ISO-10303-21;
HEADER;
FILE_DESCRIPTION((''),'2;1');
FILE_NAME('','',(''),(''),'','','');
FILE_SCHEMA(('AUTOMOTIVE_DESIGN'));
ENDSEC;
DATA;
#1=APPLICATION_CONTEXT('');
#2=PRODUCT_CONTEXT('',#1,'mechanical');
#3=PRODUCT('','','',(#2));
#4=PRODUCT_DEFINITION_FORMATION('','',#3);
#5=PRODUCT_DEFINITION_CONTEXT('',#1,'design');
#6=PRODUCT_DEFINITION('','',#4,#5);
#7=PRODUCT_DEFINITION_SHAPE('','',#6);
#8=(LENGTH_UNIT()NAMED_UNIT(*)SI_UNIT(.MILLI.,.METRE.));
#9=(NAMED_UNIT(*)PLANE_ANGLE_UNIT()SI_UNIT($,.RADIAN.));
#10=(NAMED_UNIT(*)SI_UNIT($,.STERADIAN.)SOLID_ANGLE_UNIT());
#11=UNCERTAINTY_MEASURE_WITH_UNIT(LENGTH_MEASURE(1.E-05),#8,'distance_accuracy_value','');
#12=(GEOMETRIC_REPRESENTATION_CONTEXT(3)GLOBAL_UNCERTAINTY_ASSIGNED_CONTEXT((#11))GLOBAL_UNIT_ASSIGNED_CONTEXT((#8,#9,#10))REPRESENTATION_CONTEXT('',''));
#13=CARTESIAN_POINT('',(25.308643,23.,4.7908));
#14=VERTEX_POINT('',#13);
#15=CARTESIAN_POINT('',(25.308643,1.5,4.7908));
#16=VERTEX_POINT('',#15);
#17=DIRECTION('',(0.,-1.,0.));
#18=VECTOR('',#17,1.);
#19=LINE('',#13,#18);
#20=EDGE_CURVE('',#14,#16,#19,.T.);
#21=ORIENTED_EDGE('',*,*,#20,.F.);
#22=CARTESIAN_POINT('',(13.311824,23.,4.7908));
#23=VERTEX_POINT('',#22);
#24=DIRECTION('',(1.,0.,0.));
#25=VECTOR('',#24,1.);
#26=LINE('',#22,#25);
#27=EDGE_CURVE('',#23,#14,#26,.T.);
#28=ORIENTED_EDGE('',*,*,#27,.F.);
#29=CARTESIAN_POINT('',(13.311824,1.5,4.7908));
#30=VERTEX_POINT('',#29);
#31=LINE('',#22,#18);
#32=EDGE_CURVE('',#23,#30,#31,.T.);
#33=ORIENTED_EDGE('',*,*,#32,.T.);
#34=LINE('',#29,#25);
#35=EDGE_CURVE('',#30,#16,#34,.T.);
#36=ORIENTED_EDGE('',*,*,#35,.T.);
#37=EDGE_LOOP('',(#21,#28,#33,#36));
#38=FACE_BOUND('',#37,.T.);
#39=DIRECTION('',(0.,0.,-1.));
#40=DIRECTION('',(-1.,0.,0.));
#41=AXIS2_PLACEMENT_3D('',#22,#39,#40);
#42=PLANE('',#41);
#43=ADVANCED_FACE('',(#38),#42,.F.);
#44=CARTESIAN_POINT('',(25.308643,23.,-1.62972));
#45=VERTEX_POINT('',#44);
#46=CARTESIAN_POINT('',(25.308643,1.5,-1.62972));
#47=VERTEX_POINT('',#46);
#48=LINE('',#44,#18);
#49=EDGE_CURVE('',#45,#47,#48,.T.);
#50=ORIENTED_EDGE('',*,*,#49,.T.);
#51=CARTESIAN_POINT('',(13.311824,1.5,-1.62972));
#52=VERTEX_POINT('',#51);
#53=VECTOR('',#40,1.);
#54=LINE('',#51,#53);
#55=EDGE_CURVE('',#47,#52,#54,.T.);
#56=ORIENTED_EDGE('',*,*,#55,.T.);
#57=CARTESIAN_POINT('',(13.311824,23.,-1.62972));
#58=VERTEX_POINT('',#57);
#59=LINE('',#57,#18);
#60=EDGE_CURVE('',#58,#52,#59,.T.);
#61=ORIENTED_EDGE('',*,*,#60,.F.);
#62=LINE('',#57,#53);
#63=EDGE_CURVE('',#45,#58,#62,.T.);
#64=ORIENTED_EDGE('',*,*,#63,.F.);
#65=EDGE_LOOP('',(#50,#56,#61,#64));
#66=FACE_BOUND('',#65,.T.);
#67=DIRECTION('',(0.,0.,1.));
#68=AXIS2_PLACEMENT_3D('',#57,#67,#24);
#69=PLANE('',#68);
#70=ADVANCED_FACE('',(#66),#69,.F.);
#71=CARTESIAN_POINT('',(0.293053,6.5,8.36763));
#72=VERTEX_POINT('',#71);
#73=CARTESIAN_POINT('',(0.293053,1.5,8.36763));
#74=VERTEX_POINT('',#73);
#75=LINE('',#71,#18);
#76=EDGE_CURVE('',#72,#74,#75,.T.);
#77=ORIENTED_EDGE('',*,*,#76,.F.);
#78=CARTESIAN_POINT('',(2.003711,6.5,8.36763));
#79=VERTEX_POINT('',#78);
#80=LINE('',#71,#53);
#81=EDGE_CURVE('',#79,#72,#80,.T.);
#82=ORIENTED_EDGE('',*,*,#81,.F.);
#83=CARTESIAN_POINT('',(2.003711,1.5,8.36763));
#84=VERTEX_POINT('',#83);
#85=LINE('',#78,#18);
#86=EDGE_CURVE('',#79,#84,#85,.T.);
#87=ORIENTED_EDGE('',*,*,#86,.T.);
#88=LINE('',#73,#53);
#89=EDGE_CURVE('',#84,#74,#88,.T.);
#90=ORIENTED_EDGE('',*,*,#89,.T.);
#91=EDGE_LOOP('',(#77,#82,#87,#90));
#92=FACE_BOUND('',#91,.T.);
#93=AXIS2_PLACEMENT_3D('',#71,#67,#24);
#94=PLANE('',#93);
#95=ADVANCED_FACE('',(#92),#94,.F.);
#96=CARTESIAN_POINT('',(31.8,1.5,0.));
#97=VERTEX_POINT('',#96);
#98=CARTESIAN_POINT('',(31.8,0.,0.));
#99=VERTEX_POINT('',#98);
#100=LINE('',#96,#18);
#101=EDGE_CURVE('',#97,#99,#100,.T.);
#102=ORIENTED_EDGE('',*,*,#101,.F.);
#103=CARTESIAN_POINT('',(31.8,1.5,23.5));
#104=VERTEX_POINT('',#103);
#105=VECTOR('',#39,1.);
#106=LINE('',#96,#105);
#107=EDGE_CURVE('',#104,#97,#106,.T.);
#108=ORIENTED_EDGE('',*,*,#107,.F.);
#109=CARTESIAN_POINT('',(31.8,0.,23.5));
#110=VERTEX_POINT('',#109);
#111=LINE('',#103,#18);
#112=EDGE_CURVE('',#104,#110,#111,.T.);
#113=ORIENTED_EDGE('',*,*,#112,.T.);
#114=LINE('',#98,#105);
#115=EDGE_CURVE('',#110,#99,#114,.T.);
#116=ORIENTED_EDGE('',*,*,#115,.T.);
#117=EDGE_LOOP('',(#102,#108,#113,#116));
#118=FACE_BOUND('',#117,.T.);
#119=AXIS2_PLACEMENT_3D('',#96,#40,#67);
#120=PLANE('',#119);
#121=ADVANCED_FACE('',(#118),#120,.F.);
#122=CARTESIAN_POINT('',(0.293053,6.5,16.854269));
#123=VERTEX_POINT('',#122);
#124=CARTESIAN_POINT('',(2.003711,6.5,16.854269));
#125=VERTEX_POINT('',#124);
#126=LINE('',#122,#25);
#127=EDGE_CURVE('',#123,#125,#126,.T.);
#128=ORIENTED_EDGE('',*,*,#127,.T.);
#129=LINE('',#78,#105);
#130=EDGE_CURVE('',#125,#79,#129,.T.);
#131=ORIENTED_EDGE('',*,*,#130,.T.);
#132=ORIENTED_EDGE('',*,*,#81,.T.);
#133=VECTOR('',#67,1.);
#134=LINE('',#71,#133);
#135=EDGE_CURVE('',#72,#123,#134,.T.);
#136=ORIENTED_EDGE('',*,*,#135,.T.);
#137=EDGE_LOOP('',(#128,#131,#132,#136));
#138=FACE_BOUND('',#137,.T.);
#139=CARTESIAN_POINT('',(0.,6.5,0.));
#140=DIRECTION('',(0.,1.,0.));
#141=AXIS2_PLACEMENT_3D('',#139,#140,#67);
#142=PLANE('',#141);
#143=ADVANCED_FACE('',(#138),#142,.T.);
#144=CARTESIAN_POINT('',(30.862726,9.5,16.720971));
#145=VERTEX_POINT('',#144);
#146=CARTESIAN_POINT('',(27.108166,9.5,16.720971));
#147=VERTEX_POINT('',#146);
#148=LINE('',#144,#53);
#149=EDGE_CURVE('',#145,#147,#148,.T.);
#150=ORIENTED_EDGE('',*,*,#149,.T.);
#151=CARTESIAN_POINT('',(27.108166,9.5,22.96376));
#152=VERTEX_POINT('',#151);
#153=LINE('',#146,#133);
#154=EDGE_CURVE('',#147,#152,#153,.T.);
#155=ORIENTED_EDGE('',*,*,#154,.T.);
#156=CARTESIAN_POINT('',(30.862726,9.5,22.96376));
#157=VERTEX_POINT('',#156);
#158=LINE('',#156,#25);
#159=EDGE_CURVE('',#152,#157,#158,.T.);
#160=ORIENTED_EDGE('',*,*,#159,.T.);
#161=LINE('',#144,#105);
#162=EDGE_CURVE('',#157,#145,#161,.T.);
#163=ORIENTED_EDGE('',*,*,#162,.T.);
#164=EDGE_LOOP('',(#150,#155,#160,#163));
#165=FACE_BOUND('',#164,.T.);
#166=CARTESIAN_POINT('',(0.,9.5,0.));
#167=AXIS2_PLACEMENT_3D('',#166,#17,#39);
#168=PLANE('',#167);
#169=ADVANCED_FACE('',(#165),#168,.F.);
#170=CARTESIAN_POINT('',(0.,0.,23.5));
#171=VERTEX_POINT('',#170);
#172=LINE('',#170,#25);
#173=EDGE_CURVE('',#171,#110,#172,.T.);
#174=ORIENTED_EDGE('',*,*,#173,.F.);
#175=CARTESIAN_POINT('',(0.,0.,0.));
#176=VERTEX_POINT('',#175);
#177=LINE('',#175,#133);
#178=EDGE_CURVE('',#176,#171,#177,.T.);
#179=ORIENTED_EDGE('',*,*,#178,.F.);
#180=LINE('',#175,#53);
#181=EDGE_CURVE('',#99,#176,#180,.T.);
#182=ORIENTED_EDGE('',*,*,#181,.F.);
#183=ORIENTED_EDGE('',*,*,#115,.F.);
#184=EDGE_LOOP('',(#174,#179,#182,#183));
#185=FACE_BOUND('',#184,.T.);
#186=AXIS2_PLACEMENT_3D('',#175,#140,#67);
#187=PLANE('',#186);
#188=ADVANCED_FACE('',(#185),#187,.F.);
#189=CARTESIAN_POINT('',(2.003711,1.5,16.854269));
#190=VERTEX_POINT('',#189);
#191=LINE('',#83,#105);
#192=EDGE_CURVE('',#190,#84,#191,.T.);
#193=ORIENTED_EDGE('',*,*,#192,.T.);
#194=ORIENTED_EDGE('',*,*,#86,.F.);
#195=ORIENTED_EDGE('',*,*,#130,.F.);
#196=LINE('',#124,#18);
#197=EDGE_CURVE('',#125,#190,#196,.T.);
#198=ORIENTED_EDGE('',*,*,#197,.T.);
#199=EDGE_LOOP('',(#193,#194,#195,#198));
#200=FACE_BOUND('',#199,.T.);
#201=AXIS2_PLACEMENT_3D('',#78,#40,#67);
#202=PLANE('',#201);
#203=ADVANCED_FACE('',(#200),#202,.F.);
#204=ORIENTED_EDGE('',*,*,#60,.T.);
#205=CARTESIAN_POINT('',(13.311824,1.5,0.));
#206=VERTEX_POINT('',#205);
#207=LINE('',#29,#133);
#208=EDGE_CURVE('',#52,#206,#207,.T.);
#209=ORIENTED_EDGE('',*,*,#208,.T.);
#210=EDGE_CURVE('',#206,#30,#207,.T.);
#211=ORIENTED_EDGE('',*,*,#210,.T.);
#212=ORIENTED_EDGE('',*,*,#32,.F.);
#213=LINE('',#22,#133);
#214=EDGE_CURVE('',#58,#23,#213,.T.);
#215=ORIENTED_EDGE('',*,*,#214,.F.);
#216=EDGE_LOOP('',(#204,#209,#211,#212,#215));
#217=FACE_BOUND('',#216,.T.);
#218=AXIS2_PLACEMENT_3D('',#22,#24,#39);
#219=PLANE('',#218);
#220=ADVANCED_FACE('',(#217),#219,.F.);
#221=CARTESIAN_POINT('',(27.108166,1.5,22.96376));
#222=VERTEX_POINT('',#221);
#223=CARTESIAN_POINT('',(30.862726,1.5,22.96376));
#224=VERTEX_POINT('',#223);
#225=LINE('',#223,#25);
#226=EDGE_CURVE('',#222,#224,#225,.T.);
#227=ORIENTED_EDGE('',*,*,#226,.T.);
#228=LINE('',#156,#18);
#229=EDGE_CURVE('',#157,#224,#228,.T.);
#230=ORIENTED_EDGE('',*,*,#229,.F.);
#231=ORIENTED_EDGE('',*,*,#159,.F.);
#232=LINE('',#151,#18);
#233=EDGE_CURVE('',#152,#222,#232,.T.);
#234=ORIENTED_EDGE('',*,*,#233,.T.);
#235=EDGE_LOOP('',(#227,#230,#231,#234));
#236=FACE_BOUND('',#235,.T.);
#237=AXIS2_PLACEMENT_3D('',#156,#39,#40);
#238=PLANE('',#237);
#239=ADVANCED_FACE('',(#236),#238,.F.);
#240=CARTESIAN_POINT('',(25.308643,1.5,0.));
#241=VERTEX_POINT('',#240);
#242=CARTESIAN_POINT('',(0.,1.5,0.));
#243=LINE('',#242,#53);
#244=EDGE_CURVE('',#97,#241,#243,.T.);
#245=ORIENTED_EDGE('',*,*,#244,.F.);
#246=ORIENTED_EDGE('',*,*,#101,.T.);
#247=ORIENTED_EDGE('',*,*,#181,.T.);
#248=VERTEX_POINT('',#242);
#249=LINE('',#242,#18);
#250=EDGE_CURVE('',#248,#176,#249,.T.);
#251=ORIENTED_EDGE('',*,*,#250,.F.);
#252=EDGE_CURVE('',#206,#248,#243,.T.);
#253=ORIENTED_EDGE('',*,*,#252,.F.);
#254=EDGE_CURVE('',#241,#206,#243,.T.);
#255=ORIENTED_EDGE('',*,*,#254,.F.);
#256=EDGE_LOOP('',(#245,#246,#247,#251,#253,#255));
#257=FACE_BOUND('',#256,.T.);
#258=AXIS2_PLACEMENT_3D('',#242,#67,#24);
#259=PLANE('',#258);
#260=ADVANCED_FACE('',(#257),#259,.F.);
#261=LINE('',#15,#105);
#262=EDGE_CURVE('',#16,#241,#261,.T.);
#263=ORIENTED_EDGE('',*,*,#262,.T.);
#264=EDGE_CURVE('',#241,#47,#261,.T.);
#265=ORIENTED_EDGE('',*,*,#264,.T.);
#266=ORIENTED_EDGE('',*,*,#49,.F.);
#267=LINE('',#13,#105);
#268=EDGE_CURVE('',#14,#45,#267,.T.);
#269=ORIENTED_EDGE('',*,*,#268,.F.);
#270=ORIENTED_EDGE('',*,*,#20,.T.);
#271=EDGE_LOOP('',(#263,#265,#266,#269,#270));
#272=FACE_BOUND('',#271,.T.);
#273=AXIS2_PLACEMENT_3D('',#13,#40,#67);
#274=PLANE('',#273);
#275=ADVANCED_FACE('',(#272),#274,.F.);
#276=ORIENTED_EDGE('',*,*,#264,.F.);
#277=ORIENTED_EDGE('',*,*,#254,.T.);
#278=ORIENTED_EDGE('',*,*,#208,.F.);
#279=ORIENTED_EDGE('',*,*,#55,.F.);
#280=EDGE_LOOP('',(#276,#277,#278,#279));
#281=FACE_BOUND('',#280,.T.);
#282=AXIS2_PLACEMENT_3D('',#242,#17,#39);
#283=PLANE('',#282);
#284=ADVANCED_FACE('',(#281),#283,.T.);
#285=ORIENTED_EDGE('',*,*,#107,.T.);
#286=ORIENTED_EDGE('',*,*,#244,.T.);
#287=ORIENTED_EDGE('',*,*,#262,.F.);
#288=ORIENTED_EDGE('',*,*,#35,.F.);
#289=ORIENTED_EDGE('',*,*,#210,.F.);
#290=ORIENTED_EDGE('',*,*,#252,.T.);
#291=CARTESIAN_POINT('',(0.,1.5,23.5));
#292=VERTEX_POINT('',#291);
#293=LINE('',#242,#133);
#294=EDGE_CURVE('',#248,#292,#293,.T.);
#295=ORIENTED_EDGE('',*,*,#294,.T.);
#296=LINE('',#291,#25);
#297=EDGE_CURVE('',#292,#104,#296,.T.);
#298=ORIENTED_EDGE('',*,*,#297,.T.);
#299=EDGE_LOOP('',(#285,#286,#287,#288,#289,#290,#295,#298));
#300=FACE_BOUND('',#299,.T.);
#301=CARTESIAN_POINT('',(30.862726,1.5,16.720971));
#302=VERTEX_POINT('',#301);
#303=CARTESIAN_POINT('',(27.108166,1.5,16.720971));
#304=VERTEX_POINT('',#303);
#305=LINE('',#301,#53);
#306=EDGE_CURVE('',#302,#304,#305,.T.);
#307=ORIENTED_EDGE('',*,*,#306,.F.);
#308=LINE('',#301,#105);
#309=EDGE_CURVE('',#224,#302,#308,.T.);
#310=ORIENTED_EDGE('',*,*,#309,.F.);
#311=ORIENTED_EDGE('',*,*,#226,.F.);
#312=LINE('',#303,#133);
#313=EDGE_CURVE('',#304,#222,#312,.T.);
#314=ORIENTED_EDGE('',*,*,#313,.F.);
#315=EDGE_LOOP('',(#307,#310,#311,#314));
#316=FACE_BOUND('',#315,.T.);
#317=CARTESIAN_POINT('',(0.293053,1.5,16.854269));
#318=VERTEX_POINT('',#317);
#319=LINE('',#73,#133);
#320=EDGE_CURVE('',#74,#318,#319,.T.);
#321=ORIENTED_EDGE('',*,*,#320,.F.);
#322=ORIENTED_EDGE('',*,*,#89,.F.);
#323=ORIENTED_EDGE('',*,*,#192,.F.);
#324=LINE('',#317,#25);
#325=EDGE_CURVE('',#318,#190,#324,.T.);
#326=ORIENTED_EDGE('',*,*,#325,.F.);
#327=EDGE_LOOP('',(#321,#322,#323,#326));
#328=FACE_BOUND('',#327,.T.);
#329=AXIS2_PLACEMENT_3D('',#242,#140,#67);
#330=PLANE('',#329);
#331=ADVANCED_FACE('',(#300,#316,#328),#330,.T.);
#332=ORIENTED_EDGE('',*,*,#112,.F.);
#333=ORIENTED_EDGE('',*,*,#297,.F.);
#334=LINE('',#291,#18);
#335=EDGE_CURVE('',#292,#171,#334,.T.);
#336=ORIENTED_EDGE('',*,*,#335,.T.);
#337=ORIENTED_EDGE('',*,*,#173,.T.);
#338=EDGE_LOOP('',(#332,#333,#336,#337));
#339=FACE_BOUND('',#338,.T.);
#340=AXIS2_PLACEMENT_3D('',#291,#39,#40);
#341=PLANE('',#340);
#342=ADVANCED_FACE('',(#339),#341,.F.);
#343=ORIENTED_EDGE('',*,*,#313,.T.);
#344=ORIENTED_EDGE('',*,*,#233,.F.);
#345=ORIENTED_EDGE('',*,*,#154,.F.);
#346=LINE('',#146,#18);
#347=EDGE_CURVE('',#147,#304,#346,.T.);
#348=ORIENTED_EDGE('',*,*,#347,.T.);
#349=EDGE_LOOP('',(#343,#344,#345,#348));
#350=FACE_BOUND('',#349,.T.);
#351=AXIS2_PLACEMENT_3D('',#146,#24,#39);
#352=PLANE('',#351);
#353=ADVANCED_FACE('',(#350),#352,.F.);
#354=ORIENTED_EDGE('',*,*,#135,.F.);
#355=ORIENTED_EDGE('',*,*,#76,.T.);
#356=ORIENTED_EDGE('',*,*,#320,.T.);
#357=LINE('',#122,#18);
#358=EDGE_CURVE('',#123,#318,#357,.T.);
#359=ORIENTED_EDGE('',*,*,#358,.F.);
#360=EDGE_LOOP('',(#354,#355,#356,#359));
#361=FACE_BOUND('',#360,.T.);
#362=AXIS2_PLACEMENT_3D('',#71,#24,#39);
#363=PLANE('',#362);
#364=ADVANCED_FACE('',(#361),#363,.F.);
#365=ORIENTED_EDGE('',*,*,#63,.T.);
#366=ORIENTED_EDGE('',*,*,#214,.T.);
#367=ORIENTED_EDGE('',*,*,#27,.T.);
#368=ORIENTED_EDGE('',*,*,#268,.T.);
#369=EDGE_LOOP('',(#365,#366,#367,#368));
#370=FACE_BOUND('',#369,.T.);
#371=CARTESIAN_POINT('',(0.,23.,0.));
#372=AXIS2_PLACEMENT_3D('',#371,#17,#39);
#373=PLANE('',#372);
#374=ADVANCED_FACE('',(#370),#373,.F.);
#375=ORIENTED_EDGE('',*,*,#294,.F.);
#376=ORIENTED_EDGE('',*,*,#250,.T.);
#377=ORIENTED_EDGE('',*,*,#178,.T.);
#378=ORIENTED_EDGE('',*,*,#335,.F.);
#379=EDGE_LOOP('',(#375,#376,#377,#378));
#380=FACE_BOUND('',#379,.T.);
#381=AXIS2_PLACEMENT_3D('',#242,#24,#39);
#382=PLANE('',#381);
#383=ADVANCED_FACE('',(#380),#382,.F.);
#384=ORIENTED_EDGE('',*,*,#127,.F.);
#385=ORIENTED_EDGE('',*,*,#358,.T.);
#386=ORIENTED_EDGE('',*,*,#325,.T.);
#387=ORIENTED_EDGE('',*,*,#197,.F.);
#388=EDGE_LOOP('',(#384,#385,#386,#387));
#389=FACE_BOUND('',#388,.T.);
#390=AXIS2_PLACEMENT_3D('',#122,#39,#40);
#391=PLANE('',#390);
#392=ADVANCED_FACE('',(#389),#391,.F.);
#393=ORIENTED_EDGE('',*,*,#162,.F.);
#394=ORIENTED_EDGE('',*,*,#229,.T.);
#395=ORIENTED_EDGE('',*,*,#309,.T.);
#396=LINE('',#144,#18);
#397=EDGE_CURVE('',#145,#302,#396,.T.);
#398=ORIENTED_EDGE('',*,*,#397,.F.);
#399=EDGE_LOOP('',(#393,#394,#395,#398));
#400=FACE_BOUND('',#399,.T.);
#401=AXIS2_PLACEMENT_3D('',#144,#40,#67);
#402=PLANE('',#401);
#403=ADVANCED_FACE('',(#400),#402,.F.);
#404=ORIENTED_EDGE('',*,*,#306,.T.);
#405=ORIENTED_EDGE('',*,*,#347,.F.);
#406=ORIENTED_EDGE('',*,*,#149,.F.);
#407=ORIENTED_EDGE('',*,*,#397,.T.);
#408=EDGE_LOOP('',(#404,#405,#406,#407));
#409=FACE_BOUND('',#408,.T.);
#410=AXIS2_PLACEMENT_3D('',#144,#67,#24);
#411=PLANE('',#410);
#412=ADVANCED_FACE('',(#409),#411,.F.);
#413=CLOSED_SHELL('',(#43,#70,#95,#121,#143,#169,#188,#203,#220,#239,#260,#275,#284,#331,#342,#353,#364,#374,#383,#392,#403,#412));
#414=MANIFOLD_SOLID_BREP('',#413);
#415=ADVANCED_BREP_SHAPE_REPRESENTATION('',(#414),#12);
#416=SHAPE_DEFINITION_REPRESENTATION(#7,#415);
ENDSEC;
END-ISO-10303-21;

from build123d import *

# Parameters (mm, degrees)
SKETCH1_W           = 31.8
SKETCH1_H           = 23.5
BOSS_EXTRUDE1_DEPTH = 1.5
SKETCH2_W           = 1.710657602
SKETCH2_H           = 8.486639013
BOSS_EXTRUDE2_DEPTH = 5
SKETCH3_W           = 3.754560192
SKETCH3_H           = 6.242789431
BOSS_EXTRUDE3_DEPTH = 8
SKETCH4_W           = 11.996819547
SKETCH4_H           = 6.420520091
BOSS_EXTRUDE4_DEPTH = 21.5


with BuildPart() as part:
    # Sketch1 → Boss-Extrude1 (new body)
    with BuildSketch(Plane(origin=(0, 0, 0), x_dir=(1, 0, 0), z_dir=(0, 1, 0))):
        with Locations((15.9, -11.75)):
            Rectangle(SKETCH1_W, SKETCH1_H)
    extrude(amount=BOSS_EXTRUDE1_DEPTH)

    # Sketch2 → Boss-Extrude2 (add)
    with BuildSketch(Plane(origin=(0, 1.5, 0), x_dir=(1, 0, 0), z_dir=(0, 1, 0))):
        with Locations((1.148381727, -12.610949144)):
            Rectangle(SKETCH2_W, SKETCH2_H)
    extrude(amount=BOSS_EXTRUDE2_DEPTH)

    # Sketch3 → Boss-Extrude3 (add)
    with BuildSketch(Plane(origin=(0, 1.5, 0), x_dir=(1, 0, 0), z_dir=(0, 1, 0))):
        with Locations((28.985446343, -19.842365371)):
            Rectangle(SKETCH3_W, SKETCH3_H)
    extrude(amount=BOSS_EXTRUDE3_DEPTH)

    # Sketch4 → Boss-Extrude4 (add)
    with BuildSketch(Plane(origin=(0, 1.5, 0), x_dir=(1, 0, 0), z_dir=(0, 1, 0))):
        with Locations((19.310233542, -1.58054006)):
            Rectangle(SKETCH4_W, SKETCH4_H)
    extrude(amount=BOSS_EXTRUDE4_DEPTH)


solid = part.part
